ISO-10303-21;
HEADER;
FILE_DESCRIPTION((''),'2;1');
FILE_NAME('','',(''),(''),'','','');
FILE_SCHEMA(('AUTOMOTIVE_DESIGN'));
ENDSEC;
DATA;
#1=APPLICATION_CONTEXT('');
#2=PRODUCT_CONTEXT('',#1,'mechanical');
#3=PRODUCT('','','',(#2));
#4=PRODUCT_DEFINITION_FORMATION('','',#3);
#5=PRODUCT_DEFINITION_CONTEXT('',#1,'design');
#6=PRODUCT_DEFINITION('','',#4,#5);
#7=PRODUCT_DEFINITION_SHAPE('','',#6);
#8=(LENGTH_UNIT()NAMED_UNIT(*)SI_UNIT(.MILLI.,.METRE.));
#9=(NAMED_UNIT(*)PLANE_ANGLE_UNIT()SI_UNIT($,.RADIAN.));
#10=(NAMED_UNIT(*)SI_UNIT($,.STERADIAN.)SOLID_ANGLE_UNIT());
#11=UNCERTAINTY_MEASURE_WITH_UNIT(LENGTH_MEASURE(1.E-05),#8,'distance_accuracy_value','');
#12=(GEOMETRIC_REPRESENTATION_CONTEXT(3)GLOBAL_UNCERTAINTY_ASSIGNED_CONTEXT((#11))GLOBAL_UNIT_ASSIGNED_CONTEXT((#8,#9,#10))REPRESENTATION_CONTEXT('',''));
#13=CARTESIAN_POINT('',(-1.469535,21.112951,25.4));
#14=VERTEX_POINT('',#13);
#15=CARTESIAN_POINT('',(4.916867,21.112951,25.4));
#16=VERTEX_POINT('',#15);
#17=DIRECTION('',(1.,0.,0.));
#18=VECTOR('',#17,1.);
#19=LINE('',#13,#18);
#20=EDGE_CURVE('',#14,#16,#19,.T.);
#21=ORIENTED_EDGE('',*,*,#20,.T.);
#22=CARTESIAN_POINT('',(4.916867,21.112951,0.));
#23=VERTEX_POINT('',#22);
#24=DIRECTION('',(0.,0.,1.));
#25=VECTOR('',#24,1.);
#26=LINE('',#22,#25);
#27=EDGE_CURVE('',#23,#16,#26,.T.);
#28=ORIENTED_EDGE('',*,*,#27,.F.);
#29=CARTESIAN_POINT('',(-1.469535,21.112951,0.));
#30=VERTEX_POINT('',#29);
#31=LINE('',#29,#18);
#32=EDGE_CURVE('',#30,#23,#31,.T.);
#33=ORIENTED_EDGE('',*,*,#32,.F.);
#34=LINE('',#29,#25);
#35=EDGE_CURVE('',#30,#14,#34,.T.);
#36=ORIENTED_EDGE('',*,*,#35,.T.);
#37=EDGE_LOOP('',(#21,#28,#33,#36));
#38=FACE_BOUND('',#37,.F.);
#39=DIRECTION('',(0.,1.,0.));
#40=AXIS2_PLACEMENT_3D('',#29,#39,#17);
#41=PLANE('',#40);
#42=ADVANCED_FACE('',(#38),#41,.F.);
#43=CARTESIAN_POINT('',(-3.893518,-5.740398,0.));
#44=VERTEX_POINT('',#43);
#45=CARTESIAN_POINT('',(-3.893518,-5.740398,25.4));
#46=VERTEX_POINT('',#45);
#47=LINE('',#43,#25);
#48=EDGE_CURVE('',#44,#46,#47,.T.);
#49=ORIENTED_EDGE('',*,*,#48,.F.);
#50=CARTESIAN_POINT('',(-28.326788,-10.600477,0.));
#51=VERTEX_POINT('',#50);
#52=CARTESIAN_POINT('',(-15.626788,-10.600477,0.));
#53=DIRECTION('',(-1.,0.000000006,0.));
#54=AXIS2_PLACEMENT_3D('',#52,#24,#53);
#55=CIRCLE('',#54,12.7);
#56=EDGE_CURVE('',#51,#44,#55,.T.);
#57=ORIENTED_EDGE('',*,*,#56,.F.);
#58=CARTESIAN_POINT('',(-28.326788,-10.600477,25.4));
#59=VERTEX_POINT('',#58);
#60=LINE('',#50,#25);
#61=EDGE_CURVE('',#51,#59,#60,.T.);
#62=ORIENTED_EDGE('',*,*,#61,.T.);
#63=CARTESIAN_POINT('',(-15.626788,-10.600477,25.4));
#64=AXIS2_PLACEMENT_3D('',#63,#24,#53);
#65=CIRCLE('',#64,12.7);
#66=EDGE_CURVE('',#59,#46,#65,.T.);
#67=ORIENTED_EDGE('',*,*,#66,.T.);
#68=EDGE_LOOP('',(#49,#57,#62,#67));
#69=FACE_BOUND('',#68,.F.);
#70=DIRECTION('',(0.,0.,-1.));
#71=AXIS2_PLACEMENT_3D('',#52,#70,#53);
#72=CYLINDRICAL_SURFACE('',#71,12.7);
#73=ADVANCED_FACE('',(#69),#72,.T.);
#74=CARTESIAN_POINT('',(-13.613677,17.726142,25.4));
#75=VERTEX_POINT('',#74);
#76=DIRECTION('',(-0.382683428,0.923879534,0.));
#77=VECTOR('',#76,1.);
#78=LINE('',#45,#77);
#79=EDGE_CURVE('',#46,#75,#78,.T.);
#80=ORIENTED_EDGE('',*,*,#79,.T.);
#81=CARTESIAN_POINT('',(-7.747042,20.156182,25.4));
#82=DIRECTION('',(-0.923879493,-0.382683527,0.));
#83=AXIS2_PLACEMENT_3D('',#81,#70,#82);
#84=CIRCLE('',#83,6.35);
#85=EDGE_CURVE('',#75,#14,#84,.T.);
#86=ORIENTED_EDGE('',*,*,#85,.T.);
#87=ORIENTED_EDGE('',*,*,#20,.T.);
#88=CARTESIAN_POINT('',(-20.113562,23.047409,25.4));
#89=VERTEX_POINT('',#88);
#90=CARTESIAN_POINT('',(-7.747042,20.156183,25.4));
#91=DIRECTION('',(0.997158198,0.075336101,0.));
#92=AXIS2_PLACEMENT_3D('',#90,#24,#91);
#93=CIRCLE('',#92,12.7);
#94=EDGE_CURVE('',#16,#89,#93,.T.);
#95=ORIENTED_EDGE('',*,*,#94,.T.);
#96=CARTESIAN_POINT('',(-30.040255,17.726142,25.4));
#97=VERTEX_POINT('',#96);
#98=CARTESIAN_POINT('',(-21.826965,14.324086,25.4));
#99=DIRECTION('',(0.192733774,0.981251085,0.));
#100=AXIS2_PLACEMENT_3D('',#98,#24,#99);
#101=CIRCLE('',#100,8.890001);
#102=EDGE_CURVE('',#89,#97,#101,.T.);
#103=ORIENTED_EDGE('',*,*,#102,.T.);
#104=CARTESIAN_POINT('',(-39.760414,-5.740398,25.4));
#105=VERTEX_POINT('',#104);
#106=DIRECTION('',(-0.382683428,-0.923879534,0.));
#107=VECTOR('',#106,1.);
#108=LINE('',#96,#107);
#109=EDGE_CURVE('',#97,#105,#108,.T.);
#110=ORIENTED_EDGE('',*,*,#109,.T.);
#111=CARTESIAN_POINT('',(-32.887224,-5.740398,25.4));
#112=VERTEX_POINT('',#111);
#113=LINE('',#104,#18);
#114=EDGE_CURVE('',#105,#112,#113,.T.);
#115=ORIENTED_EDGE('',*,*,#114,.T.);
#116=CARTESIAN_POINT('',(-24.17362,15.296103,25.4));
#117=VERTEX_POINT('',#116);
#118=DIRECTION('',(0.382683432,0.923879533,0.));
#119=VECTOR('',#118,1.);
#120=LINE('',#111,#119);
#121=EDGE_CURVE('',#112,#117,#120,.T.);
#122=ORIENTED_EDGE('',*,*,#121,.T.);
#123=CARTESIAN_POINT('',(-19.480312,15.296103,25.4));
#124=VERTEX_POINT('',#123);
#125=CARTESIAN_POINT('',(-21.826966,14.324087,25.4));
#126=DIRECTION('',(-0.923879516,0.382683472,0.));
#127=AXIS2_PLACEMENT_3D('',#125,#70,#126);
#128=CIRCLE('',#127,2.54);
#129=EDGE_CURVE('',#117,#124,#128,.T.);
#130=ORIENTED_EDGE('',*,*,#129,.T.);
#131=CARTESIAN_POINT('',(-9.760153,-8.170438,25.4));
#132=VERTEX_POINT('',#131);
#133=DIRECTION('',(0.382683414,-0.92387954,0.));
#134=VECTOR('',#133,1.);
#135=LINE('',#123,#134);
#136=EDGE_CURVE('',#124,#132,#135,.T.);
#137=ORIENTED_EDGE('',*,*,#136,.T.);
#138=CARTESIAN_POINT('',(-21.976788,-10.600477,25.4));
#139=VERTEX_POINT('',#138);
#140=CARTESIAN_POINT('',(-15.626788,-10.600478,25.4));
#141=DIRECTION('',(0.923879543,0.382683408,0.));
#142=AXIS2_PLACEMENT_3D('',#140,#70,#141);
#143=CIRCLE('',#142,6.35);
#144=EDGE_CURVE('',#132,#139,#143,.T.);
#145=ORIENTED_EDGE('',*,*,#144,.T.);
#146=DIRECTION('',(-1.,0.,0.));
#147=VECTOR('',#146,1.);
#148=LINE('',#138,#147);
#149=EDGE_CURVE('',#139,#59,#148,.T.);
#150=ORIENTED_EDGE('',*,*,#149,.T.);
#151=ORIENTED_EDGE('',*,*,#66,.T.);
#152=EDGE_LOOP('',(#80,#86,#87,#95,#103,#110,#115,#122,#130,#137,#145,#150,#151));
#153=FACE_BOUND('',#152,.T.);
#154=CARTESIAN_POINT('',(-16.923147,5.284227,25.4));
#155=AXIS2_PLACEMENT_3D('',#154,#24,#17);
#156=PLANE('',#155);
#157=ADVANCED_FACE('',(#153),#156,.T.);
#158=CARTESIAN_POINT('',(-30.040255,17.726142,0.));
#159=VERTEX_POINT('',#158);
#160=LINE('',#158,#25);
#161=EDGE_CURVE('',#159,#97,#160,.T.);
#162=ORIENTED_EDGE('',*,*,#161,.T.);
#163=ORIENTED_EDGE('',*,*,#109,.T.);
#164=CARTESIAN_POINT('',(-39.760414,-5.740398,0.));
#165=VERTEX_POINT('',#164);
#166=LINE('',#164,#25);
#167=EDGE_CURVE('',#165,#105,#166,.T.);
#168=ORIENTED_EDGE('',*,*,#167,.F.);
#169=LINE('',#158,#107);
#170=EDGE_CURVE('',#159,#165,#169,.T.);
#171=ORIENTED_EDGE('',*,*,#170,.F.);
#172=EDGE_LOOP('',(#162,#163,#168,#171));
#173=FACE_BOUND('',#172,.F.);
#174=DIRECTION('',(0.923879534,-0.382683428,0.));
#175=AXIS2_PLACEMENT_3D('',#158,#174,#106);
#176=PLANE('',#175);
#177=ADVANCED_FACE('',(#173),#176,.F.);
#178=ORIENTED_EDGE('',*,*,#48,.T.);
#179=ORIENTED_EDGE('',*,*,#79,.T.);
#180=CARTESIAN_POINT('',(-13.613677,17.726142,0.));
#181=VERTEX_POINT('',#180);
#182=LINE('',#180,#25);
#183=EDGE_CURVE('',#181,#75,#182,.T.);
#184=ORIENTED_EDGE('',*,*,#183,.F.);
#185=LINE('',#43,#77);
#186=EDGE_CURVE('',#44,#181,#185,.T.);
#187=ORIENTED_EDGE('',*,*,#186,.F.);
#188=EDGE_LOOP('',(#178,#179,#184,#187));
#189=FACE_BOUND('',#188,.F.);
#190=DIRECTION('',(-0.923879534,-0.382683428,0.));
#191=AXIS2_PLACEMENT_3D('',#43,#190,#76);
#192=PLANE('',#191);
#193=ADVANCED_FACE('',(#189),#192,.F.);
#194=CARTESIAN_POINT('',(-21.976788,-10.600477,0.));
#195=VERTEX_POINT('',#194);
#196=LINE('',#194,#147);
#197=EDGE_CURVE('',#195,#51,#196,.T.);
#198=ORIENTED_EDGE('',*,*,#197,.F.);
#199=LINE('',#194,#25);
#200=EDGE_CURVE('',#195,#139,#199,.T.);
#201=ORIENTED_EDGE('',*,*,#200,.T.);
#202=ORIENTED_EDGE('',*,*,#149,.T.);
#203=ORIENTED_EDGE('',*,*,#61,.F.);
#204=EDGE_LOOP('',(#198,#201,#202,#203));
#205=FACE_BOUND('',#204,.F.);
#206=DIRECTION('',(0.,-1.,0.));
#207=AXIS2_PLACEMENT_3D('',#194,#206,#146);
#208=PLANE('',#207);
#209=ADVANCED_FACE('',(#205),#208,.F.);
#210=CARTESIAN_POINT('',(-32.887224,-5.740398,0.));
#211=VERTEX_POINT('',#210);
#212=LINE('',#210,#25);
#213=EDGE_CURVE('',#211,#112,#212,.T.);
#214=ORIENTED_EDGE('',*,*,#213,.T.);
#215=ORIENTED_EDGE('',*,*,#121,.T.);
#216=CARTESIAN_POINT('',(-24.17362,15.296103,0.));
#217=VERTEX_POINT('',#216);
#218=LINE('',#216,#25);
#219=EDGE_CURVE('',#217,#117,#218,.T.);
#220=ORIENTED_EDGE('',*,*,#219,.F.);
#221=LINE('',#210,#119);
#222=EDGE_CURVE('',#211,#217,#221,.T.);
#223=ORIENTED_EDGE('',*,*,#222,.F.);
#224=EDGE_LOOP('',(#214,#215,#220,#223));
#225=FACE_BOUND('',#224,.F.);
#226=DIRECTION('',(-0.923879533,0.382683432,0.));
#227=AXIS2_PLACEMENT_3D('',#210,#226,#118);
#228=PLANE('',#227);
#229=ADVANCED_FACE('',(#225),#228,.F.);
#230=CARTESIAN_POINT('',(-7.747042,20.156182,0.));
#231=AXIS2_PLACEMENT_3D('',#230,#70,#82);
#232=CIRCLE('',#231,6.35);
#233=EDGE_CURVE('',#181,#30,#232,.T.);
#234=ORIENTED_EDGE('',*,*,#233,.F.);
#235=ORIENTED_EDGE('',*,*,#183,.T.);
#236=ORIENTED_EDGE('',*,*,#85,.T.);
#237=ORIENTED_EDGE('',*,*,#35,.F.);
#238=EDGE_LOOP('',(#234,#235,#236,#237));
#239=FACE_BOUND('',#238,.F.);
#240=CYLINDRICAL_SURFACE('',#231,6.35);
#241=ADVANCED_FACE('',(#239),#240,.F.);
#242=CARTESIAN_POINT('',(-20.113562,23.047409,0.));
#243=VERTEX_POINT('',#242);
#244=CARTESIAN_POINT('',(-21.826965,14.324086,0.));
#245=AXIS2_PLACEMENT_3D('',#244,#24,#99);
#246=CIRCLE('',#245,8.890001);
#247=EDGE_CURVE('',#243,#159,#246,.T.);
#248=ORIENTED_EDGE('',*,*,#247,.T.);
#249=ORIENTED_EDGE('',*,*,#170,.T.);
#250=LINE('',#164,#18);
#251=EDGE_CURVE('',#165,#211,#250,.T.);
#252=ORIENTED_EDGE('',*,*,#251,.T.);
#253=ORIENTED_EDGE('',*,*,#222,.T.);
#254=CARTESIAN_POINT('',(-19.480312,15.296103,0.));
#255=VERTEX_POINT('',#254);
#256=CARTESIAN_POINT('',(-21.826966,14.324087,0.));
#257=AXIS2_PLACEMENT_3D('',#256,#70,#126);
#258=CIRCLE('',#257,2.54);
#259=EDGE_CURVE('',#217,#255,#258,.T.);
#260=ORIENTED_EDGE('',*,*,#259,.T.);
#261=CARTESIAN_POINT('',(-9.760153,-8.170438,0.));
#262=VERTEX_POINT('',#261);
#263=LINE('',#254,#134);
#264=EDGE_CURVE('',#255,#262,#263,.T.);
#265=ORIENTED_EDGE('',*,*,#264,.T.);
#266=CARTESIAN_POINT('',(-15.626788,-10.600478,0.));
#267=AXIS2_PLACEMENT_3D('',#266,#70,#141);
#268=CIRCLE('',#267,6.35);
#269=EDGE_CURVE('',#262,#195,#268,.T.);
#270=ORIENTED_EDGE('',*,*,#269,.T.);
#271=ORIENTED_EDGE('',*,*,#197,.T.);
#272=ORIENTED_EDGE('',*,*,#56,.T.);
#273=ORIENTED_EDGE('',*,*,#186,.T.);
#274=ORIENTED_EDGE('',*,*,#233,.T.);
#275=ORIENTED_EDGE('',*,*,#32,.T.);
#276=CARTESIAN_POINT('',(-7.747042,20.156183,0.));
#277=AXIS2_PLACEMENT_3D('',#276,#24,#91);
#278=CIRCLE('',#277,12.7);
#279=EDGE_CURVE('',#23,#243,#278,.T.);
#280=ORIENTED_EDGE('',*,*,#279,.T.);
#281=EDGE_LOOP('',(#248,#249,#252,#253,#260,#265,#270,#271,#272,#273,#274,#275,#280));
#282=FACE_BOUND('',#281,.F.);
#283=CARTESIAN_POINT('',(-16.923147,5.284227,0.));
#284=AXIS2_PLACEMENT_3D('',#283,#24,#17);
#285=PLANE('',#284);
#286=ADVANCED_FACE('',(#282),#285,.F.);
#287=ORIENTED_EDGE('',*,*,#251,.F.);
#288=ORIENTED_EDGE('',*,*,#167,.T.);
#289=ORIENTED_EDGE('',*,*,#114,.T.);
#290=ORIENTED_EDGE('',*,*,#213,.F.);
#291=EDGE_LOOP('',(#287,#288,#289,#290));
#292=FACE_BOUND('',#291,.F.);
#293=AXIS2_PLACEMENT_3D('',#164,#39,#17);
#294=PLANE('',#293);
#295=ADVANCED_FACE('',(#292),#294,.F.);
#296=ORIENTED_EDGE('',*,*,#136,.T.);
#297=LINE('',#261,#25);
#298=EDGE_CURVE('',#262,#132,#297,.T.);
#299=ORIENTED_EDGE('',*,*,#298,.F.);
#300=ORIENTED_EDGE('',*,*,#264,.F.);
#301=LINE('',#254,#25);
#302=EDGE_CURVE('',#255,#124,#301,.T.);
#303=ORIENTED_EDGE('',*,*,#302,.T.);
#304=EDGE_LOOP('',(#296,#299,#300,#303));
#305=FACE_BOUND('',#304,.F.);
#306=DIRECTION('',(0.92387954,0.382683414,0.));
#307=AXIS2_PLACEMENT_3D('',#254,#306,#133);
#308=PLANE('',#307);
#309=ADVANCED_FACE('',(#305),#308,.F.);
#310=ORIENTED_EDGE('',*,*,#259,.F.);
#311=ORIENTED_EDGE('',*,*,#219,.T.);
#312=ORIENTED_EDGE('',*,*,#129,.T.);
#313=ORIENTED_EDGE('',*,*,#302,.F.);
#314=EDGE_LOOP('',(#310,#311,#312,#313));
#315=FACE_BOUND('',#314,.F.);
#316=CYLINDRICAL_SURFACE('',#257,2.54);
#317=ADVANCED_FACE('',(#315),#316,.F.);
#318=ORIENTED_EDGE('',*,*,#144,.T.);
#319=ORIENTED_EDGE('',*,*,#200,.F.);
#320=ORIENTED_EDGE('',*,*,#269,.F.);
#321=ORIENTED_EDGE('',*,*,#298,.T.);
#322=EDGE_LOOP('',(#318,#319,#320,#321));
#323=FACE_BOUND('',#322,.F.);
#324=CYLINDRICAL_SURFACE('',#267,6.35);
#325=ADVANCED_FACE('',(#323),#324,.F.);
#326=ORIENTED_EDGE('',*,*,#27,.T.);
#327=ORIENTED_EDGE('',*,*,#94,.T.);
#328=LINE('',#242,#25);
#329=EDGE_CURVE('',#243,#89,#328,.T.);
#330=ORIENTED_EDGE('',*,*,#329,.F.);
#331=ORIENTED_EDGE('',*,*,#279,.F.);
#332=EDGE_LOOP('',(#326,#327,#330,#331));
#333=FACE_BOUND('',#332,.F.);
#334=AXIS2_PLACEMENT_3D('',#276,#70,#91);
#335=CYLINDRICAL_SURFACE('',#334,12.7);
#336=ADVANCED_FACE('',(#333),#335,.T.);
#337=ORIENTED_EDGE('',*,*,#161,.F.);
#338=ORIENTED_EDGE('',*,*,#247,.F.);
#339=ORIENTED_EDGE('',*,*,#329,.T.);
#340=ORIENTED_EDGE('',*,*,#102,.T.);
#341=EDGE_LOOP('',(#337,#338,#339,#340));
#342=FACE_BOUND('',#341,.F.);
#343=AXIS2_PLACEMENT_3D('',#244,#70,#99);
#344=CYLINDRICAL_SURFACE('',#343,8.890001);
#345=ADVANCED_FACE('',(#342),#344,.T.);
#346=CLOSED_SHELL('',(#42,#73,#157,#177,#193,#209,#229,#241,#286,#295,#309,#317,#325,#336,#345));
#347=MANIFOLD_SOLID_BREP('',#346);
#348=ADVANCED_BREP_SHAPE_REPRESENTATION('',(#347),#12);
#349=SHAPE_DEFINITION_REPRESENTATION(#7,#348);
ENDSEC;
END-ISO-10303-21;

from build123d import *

# Parameters (mm, degrees)
F1_DEPTH = 25.4


with BuildPart() as f1:
    # F0 (on Top) → F1 (new body)
    with BuildSketch(Plane.XY):
        with BuildLine():
            Line((-30.040255, 17.726142), (-39.760414, -5.740398))
            Line((-39.760414, -5.740398), (-32.887224, -5.740398))
            Line((-32.887224, -5.740398), (-24.17362, 15.296103))
            ThreePointArc((-24.17362, 15.296103), (-21.826966, 16.864087), (-19.480312, 15.296103))
            Line((-19.480312, 15.296103), (-9.760153, -8.170438))
            ThreePointArc((-9.760153, -8.170438), (-14.387964, -16.828464), (-21.976788, -10.600477))
            Line((-21.976788, -10.600477), (-28.326788, -10.600477))
            ThreePointArc((-28.326788, -10.600477), (-13.149141, -23.05645), (-3.893518, -5.740398))
            Line((-3.893518, -5.740398), (-13.613677, 17.726142))
            ThreePointArc((-13.613677, 17.726142), (-9.452862, 26.272773), (-1.469535, 21.112951))
            Line((-1.469535, 21.112951), (4.916867, 21.112951))
            ThreePointArc((4.916867, 21.112951), (-6.76845, 32.818424), (-20.113562, 23.047409))
            ThreePointArc((-20.113562, 23.047409), (-26.027096, 22.159328), (-30.040255, 17.726142))
        make_face()
    extrude(amount=F1_DEPTH)


solid = f1.part
